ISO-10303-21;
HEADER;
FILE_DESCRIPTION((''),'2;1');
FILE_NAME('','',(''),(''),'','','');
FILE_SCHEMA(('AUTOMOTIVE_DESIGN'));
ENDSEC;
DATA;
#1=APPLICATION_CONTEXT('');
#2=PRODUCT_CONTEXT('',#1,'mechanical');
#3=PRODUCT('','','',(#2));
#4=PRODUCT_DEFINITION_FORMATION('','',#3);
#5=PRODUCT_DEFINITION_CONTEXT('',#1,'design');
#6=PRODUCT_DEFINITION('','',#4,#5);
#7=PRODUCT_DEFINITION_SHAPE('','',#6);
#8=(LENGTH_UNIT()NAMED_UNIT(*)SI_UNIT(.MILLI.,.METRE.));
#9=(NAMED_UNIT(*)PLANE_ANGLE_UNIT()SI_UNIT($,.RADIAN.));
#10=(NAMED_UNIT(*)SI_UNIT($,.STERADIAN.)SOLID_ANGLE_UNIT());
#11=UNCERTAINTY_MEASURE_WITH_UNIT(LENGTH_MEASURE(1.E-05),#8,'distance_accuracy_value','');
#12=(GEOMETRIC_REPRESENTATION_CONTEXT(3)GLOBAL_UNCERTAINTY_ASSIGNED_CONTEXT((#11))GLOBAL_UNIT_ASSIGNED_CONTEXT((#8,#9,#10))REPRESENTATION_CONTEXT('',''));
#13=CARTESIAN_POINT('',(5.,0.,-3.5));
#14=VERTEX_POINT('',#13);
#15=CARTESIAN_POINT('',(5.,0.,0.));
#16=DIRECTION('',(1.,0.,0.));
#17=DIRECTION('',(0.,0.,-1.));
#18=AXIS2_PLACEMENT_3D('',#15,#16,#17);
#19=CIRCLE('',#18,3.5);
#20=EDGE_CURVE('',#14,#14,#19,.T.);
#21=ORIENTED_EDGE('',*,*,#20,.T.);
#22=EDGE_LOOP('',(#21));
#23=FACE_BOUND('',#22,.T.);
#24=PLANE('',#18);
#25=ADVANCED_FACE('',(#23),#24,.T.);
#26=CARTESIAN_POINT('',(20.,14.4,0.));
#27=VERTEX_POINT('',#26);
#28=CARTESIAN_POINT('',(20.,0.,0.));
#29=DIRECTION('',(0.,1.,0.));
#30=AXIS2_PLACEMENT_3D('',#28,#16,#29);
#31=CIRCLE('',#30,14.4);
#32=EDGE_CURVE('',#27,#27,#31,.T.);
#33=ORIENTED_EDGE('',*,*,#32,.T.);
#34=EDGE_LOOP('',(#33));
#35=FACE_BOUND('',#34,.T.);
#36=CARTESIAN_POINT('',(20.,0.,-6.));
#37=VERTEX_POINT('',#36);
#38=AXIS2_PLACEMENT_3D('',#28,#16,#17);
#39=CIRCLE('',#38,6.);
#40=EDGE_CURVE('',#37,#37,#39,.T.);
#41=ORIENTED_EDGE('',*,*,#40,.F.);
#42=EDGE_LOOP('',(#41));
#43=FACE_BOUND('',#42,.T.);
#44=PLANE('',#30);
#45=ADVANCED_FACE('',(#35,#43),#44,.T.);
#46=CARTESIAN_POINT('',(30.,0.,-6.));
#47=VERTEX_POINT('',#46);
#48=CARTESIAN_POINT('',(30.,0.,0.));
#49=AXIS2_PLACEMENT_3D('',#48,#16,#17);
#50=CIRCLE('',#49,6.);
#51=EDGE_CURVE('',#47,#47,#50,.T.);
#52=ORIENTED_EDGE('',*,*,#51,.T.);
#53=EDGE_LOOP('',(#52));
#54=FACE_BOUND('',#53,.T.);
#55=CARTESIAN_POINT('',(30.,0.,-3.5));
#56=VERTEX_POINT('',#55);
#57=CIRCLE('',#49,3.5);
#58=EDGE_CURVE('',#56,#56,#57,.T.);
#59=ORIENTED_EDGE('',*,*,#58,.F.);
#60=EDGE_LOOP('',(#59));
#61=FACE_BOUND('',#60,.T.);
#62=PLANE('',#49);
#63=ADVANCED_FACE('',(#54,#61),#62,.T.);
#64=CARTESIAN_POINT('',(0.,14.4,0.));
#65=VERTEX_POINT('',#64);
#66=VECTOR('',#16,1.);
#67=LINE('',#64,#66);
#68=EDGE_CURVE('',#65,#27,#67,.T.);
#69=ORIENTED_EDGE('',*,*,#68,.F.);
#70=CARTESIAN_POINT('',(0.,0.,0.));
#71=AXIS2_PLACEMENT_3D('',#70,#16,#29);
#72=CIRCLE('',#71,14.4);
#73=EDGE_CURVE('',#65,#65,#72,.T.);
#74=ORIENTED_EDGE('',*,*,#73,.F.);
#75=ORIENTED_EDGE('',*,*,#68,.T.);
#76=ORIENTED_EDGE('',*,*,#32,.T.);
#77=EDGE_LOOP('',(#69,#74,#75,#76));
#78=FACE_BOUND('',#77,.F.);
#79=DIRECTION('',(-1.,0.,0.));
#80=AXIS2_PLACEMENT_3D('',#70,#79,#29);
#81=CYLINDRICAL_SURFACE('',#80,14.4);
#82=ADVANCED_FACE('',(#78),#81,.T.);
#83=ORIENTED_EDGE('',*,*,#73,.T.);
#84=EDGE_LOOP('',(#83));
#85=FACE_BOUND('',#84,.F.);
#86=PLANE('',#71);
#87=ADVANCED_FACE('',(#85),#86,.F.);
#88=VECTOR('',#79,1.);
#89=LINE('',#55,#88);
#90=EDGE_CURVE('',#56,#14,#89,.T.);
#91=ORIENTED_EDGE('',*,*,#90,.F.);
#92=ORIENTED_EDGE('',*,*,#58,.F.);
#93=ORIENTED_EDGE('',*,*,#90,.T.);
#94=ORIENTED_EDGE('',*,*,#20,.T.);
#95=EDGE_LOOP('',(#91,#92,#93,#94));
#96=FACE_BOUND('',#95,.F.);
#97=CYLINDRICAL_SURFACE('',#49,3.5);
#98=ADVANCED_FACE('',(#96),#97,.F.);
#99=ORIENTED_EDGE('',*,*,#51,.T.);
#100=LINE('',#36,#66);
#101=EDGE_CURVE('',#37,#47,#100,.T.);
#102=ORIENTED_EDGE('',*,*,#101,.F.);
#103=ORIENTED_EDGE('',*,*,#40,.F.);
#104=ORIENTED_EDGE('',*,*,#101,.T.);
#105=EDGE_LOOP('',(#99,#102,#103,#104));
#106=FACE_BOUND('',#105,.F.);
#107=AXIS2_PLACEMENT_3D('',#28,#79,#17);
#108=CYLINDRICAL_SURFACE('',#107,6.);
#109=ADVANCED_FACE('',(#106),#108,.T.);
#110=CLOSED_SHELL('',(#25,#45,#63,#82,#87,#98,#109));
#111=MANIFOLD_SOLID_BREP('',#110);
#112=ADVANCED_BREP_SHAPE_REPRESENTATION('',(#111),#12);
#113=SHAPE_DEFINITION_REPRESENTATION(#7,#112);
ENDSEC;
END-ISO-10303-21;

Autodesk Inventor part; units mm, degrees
ref_plane "YZ Plane" through (0, 0, 0) normal (1, 0, 0) x (0, 1, 0)
ref_plane "XZ Plane" through (0, 0, 0) normal (0, 1, 0) x (-1, 0, 0)
ref_plane "XY Plane" through (0, 0, 0) normal (0, 0, 1) x (1, 0, 0)
sketch "Sketch1" plane through (0, 0, 0) normal (1, 0, 0) x (0, 1, 0)
  circle A0 centre (0, 0) radius 14.4
  dimension "d0" = 28.8
extrude "Extrusion1" add sketch "Sketch1" along normal blind 20
sketch "Sketch2" plane through (20, 0, 0) normal (1, 0, 0) x (0, 0, -1)
  circle A0 centre (0, 0) radius 3.5
  circle A1 centre (0, 0) radius 6
  dimension "d3" = 7
  dimension "d4" = 12
extrude "Extrusion2" add sketch "Sketch2" along normal blind 10 contours A0 | A1
sketch "Sketch3" plane through (30, 0, 0) normal (1, 0, 0) x (0, 0, -1)
  circle A0 centre (0, 0) radius 3.5
  dimension "d7" = 7
extrude "Extrusion3" cut sketch "Sketch3" against normal blind 25
properties part number "wheels" material "Rubber"
